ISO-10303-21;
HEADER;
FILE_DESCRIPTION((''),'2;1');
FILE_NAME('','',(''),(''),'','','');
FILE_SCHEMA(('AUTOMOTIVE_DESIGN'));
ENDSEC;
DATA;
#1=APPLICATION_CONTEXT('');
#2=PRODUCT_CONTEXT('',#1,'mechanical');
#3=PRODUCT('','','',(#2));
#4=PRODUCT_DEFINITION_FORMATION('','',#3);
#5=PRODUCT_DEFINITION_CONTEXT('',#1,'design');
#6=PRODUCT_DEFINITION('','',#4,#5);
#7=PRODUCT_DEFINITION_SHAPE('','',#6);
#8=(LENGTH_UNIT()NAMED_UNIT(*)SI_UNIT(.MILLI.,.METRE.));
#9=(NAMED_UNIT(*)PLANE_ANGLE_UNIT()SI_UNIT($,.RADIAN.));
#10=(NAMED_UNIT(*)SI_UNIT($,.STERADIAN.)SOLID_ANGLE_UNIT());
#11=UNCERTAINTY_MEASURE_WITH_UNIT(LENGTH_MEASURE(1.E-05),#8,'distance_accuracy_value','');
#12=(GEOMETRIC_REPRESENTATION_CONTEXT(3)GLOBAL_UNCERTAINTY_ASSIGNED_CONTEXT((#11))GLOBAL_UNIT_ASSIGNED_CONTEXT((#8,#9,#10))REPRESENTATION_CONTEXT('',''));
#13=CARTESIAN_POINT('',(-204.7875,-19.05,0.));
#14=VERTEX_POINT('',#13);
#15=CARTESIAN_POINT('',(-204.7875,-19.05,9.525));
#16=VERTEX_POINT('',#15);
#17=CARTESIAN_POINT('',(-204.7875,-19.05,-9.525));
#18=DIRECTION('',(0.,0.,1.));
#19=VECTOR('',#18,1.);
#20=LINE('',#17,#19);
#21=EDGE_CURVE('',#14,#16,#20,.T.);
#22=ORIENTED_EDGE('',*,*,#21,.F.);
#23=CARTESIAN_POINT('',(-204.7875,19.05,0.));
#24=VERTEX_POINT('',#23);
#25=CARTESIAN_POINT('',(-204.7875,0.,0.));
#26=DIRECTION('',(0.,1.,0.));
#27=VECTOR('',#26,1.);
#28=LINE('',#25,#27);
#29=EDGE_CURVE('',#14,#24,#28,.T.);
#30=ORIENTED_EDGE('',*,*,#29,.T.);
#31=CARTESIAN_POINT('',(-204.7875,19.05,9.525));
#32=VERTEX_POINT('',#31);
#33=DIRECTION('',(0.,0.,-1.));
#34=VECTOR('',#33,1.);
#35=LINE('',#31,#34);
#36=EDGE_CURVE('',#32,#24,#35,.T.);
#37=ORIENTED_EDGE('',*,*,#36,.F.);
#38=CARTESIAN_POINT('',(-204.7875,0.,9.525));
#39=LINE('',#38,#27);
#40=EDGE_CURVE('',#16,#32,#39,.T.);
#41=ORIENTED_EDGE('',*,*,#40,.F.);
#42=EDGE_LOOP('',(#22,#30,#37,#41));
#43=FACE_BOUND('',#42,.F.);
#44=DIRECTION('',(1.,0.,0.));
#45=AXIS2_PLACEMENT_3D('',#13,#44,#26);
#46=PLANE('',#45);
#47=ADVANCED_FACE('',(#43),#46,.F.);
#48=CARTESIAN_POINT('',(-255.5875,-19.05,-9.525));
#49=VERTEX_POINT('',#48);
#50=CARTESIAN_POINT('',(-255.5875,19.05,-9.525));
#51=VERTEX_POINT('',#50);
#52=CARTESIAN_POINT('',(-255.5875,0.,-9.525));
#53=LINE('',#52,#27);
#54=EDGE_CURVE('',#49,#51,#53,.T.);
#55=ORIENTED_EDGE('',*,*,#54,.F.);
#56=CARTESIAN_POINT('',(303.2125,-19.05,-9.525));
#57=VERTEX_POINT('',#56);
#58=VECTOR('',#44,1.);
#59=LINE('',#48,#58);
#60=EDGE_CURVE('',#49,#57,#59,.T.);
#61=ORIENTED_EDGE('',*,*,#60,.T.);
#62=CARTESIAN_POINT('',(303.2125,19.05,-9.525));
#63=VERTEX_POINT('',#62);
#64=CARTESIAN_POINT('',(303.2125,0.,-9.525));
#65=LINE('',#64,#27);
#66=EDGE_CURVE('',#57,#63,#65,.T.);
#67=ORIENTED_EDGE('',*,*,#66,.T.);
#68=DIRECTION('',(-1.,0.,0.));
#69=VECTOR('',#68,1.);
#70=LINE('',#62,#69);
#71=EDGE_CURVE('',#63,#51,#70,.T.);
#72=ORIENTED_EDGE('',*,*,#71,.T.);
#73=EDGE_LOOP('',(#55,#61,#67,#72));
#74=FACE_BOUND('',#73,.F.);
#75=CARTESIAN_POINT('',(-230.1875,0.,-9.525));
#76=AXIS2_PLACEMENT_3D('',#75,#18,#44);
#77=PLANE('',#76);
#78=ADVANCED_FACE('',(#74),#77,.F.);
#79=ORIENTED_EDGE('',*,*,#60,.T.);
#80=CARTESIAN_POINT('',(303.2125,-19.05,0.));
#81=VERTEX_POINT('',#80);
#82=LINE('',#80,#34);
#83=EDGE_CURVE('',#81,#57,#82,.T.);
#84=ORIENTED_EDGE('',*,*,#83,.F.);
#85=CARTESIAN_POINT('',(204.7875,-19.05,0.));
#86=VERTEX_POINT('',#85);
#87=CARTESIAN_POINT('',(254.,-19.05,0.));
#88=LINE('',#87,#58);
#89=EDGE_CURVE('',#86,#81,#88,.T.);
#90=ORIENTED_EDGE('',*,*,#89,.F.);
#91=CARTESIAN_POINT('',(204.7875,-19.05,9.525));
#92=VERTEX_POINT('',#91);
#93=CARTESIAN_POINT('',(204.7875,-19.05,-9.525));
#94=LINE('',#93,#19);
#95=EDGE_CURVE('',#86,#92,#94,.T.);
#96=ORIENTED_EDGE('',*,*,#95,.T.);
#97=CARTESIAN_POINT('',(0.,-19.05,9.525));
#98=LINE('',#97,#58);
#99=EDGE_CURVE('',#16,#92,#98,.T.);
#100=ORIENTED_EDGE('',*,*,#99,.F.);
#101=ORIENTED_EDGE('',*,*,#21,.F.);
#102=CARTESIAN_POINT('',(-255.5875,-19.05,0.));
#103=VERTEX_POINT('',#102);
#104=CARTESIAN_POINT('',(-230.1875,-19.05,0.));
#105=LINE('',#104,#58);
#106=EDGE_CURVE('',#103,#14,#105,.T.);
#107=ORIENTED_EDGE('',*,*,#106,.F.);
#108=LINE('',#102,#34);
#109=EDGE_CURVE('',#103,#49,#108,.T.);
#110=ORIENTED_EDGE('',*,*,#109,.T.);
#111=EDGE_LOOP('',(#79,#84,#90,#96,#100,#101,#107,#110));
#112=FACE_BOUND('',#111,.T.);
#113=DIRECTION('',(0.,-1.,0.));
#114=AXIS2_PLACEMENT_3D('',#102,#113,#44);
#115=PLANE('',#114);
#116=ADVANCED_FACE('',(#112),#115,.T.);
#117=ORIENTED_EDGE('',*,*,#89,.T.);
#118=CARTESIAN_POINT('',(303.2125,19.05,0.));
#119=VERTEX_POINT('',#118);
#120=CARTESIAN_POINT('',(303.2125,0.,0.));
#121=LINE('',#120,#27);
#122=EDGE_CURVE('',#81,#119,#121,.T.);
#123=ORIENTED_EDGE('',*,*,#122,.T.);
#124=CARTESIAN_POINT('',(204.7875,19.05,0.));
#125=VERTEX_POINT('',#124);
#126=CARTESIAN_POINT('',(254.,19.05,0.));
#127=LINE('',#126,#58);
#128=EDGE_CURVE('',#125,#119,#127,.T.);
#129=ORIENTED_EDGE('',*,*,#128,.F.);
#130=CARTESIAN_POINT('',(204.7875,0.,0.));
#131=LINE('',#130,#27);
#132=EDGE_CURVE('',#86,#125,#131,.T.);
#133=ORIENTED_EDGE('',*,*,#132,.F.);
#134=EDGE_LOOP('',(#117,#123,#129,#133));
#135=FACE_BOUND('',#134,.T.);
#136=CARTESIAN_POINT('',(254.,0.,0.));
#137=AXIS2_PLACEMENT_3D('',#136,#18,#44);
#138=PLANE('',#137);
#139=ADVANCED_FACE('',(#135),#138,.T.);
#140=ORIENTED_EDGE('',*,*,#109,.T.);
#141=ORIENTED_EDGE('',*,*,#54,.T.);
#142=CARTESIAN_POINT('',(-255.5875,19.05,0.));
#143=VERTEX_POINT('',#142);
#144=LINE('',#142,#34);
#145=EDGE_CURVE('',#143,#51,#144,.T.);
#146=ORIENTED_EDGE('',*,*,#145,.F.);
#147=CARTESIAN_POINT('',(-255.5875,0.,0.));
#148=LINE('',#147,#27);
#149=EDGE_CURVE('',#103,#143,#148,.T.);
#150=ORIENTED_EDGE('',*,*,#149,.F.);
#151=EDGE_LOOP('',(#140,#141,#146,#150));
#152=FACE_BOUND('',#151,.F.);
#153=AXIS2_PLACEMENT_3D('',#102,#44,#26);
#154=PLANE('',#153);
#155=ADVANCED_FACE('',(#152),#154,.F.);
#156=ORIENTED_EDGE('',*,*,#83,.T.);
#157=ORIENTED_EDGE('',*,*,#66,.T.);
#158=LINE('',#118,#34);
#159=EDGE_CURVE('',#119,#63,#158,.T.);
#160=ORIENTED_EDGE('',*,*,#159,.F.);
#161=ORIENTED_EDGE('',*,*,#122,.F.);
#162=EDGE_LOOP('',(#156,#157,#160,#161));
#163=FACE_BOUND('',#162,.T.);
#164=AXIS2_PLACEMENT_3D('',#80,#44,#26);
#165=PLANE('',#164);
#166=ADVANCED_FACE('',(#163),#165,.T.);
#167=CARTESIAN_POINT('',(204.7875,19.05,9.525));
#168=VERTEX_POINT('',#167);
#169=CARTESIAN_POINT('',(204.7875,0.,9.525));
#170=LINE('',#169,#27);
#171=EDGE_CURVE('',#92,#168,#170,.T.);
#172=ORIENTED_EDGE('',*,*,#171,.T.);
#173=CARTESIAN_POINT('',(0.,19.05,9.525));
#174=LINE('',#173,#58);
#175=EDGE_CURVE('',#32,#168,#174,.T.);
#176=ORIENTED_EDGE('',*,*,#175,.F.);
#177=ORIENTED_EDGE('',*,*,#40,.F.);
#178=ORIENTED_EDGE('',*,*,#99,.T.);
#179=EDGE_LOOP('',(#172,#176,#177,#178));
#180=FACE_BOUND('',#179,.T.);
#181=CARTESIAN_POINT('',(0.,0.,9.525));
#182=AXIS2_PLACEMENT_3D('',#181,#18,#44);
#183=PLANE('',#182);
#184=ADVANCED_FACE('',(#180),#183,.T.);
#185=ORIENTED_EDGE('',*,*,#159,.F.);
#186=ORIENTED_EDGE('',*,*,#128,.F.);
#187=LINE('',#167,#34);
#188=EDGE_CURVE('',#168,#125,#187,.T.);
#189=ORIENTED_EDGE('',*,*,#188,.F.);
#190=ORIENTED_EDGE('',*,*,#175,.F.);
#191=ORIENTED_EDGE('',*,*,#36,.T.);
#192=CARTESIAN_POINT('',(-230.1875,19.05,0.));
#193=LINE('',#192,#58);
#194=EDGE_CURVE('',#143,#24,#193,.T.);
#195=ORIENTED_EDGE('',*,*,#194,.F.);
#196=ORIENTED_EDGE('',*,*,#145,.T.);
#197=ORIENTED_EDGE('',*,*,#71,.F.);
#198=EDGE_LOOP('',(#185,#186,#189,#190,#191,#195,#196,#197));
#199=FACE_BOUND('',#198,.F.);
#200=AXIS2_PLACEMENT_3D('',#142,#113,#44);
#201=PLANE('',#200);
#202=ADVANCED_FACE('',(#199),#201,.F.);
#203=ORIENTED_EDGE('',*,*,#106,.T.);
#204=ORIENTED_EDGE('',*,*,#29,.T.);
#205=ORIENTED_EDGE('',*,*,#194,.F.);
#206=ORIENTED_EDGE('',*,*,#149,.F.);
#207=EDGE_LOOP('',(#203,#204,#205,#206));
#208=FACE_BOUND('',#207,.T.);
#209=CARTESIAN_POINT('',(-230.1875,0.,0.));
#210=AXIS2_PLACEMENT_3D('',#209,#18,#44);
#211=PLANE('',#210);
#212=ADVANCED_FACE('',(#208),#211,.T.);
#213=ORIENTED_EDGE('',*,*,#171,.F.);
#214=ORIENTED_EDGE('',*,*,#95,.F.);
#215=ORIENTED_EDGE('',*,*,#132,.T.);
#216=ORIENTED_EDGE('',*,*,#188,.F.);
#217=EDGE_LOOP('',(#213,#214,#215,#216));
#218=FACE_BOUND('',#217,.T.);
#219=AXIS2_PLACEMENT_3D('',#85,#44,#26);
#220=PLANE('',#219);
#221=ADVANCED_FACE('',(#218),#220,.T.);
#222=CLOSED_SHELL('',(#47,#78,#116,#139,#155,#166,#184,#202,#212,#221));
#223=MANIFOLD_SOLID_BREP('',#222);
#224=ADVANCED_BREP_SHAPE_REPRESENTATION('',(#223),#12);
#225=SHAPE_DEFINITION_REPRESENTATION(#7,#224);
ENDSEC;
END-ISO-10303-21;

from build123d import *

# Parameters (mm, degrees)
F0_W     = 409.575
F0_H     = 38.1
F1_DEPTH = 9.525
F2_W     = 50.8
F2_H     = 38.1
F2_W_2   = 98.425
F3_DEPTH = 9.525


with BuildPart() as f1:
    # F0 (on Top) → F1 (new body, symmetric)
    with BuildSketch(Plane.XY):
        Rectangle(F0_W, F0_H)
    extrude(amount=F1_DEPTH, both=True)

    # F2 (on Top) → F3 (join, through all)
    with BuildSketch(Plane.XY):
        with Locations((-230.1875, 0)):
            Rectangle(F2_W, F2_H)
        with Locations((254, 0)):
            Rectangle(F2_W_2, F2_H)
    extrude(amount=-F3_DEPTH)


solid = f1.part
